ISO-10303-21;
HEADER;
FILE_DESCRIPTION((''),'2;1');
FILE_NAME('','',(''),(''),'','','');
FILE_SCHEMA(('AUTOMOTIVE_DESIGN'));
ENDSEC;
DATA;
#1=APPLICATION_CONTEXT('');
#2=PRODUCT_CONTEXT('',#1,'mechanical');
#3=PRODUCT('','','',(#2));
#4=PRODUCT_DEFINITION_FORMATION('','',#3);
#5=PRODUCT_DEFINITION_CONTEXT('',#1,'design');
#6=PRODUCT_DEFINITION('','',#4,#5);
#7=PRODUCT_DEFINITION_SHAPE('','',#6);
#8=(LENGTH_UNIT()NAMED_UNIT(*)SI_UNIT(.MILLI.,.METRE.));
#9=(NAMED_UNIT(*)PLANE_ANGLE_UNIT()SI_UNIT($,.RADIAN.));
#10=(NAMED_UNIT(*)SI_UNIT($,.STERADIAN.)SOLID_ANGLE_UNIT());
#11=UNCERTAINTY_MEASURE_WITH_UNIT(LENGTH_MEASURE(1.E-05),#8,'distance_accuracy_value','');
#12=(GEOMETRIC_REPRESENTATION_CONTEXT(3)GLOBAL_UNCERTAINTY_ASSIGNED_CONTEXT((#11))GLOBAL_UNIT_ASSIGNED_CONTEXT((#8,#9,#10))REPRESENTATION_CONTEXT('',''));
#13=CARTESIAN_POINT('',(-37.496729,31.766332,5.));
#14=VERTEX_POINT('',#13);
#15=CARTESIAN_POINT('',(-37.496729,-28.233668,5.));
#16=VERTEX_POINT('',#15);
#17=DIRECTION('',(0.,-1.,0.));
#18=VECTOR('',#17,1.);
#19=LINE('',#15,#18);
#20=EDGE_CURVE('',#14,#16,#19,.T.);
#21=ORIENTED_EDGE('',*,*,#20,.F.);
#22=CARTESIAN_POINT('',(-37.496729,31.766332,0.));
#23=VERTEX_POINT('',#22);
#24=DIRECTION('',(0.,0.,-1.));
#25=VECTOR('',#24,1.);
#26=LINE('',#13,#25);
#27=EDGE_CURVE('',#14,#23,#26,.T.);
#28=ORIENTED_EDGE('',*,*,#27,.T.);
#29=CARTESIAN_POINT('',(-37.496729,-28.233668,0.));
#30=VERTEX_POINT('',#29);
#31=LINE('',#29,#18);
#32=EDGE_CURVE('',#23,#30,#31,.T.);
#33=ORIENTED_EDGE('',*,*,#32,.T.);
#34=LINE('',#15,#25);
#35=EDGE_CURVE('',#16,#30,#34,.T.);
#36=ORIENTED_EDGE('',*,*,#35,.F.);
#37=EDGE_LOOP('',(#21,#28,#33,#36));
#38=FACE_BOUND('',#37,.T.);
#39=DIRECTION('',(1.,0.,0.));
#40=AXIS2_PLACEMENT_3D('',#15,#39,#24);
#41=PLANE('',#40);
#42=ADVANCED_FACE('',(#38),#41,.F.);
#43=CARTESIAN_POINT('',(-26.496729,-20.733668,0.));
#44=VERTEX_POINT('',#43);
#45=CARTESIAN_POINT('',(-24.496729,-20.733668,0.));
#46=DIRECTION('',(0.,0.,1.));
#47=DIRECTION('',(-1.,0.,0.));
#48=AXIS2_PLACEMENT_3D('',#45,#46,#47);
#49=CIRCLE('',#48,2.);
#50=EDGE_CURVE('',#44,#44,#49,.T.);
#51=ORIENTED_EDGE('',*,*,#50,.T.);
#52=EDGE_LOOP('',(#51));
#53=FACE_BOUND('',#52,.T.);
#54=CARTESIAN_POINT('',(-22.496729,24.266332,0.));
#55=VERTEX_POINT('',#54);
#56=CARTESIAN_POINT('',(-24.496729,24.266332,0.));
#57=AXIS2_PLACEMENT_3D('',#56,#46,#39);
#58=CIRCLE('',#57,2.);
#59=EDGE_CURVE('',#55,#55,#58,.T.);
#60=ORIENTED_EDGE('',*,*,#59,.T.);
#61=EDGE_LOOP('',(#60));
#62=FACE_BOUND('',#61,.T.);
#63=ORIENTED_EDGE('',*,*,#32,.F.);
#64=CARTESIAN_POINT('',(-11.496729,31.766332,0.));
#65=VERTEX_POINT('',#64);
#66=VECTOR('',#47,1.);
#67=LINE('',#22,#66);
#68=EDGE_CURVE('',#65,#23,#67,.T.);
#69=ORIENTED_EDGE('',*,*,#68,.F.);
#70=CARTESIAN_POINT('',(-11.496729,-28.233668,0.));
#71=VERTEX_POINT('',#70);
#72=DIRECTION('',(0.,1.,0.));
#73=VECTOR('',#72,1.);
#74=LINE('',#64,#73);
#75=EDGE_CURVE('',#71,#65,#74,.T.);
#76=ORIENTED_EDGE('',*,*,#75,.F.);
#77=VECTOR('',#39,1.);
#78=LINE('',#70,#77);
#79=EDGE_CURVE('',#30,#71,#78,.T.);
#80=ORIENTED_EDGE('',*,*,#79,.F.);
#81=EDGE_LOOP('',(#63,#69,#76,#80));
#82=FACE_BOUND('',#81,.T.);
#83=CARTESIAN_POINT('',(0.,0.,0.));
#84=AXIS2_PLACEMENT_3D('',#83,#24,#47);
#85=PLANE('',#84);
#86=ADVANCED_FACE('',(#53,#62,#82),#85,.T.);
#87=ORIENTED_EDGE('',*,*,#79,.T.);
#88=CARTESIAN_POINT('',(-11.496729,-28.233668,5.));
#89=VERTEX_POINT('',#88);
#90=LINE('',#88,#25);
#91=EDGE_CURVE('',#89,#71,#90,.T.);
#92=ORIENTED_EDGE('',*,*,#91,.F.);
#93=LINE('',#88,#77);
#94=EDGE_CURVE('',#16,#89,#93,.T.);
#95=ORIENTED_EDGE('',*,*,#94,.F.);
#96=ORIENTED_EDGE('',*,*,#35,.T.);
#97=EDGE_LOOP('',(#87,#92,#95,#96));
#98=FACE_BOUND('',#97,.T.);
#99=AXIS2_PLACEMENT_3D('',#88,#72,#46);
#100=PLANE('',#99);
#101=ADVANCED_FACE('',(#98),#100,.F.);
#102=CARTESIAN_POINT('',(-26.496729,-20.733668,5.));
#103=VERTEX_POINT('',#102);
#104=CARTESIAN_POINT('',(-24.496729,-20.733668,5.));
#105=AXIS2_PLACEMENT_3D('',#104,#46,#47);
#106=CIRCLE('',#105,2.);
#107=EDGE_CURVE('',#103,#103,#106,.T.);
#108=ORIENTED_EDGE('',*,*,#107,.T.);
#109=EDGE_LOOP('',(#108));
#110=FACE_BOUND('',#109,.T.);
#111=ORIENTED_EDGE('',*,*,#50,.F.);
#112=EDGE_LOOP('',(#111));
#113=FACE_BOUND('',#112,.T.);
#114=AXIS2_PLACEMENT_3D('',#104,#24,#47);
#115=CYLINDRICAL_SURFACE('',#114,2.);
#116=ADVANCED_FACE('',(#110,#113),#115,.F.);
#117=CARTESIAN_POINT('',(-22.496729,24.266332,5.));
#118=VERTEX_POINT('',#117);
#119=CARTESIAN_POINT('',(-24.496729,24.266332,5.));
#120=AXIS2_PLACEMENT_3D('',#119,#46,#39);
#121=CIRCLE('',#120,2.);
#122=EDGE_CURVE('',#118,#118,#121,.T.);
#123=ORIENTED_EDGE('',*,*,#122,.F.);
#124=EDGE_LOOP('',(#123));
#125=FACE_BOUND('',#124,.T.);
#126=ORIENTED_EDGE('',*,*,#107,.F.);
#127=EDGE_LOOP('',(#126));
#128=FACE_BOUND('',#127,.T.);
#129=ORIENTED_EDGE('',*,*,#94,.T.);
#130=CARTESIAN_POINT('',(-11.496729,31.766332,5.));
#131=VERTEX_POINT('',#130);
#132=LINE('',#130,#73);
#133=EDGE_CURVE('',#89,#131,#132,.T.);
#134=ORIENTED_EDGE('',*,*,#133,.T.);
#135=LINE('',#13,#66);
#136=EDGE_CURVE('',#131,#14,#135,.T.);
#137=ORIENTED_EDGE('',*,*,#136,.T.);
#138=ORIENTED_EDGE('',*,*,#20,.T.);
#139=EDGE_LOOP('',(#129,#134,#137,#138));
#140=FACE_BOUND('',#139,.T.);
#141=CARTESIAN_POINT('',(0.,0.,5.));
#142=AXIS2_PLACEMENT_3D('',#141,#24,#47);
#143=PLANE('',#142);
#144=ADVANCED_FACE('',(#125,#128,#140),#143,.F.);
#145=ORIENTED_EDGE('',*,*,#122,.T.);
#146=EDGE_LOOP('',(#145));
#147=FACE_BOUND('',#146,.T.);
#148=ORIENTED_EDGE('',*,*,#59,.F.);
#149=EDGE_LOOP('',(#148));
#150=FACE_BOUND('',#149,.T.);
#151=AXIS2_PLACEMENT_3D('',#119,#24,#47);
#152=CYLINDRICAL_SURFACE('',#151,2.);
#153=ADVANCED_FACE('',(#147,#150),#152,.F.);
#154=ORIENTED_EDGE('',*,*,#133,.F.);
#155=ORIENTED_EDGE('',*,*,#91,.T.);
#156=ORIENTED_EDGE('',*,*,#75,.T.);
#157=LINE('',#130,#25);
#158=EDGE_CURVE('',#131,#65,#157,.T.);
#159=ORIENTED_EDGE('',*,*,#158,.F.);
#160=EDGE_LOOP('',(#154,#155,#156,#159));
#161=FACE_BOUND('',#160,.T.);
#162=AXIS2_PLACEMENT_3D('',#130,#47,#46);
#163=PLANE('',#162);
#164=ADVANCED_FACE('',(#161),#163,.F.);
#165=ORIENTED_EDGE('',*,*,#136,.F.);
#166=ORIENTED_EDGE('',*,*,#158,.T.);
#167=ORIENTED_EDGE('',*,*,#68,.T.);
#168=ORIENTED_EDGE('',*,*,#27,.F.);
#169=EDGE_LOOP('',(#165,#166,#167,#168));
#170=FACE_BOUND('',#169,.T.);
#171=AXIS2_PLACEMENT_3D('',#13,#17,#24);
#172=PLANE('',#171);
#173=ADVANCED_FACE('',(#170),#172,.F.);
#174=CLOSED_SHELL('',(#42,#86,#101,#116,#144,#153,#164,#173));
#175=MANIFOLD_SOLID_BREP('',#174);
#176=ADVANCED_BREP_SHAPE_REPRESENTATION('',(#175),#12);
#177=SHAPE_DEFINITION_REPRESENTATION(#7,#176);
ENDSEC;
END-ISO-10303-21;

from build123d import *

# Parameters (mm, degrees)
SKETCH_1_W      = 26
SKETCH_1_H      = 60
SKETCH_1_R      = 2
EXTRUDE_1_DEPTH = 5


with BuildPart() as part:
    # 草图1 → 凸台-拉伸1 (new body)
    with BuildSketch(Plane.XY):
        with Locations((-24.496729184, 1.766332033)):
            Rectangle(SKETCH_1_W, SKETCH_1_H)
        with Locations((-24.496729184, 24.266332033)):
            Circle(SKETCH_1_R, mode=Mode.SUBTRACT)
        with Locations((-24.496729184, -20.733667967)):
            Circle(SKETCH_1_R, mode=Mode.SUBTRACT)
    extrude(amount=EXTRUDE_1_DEPTH)


solid = part.part
